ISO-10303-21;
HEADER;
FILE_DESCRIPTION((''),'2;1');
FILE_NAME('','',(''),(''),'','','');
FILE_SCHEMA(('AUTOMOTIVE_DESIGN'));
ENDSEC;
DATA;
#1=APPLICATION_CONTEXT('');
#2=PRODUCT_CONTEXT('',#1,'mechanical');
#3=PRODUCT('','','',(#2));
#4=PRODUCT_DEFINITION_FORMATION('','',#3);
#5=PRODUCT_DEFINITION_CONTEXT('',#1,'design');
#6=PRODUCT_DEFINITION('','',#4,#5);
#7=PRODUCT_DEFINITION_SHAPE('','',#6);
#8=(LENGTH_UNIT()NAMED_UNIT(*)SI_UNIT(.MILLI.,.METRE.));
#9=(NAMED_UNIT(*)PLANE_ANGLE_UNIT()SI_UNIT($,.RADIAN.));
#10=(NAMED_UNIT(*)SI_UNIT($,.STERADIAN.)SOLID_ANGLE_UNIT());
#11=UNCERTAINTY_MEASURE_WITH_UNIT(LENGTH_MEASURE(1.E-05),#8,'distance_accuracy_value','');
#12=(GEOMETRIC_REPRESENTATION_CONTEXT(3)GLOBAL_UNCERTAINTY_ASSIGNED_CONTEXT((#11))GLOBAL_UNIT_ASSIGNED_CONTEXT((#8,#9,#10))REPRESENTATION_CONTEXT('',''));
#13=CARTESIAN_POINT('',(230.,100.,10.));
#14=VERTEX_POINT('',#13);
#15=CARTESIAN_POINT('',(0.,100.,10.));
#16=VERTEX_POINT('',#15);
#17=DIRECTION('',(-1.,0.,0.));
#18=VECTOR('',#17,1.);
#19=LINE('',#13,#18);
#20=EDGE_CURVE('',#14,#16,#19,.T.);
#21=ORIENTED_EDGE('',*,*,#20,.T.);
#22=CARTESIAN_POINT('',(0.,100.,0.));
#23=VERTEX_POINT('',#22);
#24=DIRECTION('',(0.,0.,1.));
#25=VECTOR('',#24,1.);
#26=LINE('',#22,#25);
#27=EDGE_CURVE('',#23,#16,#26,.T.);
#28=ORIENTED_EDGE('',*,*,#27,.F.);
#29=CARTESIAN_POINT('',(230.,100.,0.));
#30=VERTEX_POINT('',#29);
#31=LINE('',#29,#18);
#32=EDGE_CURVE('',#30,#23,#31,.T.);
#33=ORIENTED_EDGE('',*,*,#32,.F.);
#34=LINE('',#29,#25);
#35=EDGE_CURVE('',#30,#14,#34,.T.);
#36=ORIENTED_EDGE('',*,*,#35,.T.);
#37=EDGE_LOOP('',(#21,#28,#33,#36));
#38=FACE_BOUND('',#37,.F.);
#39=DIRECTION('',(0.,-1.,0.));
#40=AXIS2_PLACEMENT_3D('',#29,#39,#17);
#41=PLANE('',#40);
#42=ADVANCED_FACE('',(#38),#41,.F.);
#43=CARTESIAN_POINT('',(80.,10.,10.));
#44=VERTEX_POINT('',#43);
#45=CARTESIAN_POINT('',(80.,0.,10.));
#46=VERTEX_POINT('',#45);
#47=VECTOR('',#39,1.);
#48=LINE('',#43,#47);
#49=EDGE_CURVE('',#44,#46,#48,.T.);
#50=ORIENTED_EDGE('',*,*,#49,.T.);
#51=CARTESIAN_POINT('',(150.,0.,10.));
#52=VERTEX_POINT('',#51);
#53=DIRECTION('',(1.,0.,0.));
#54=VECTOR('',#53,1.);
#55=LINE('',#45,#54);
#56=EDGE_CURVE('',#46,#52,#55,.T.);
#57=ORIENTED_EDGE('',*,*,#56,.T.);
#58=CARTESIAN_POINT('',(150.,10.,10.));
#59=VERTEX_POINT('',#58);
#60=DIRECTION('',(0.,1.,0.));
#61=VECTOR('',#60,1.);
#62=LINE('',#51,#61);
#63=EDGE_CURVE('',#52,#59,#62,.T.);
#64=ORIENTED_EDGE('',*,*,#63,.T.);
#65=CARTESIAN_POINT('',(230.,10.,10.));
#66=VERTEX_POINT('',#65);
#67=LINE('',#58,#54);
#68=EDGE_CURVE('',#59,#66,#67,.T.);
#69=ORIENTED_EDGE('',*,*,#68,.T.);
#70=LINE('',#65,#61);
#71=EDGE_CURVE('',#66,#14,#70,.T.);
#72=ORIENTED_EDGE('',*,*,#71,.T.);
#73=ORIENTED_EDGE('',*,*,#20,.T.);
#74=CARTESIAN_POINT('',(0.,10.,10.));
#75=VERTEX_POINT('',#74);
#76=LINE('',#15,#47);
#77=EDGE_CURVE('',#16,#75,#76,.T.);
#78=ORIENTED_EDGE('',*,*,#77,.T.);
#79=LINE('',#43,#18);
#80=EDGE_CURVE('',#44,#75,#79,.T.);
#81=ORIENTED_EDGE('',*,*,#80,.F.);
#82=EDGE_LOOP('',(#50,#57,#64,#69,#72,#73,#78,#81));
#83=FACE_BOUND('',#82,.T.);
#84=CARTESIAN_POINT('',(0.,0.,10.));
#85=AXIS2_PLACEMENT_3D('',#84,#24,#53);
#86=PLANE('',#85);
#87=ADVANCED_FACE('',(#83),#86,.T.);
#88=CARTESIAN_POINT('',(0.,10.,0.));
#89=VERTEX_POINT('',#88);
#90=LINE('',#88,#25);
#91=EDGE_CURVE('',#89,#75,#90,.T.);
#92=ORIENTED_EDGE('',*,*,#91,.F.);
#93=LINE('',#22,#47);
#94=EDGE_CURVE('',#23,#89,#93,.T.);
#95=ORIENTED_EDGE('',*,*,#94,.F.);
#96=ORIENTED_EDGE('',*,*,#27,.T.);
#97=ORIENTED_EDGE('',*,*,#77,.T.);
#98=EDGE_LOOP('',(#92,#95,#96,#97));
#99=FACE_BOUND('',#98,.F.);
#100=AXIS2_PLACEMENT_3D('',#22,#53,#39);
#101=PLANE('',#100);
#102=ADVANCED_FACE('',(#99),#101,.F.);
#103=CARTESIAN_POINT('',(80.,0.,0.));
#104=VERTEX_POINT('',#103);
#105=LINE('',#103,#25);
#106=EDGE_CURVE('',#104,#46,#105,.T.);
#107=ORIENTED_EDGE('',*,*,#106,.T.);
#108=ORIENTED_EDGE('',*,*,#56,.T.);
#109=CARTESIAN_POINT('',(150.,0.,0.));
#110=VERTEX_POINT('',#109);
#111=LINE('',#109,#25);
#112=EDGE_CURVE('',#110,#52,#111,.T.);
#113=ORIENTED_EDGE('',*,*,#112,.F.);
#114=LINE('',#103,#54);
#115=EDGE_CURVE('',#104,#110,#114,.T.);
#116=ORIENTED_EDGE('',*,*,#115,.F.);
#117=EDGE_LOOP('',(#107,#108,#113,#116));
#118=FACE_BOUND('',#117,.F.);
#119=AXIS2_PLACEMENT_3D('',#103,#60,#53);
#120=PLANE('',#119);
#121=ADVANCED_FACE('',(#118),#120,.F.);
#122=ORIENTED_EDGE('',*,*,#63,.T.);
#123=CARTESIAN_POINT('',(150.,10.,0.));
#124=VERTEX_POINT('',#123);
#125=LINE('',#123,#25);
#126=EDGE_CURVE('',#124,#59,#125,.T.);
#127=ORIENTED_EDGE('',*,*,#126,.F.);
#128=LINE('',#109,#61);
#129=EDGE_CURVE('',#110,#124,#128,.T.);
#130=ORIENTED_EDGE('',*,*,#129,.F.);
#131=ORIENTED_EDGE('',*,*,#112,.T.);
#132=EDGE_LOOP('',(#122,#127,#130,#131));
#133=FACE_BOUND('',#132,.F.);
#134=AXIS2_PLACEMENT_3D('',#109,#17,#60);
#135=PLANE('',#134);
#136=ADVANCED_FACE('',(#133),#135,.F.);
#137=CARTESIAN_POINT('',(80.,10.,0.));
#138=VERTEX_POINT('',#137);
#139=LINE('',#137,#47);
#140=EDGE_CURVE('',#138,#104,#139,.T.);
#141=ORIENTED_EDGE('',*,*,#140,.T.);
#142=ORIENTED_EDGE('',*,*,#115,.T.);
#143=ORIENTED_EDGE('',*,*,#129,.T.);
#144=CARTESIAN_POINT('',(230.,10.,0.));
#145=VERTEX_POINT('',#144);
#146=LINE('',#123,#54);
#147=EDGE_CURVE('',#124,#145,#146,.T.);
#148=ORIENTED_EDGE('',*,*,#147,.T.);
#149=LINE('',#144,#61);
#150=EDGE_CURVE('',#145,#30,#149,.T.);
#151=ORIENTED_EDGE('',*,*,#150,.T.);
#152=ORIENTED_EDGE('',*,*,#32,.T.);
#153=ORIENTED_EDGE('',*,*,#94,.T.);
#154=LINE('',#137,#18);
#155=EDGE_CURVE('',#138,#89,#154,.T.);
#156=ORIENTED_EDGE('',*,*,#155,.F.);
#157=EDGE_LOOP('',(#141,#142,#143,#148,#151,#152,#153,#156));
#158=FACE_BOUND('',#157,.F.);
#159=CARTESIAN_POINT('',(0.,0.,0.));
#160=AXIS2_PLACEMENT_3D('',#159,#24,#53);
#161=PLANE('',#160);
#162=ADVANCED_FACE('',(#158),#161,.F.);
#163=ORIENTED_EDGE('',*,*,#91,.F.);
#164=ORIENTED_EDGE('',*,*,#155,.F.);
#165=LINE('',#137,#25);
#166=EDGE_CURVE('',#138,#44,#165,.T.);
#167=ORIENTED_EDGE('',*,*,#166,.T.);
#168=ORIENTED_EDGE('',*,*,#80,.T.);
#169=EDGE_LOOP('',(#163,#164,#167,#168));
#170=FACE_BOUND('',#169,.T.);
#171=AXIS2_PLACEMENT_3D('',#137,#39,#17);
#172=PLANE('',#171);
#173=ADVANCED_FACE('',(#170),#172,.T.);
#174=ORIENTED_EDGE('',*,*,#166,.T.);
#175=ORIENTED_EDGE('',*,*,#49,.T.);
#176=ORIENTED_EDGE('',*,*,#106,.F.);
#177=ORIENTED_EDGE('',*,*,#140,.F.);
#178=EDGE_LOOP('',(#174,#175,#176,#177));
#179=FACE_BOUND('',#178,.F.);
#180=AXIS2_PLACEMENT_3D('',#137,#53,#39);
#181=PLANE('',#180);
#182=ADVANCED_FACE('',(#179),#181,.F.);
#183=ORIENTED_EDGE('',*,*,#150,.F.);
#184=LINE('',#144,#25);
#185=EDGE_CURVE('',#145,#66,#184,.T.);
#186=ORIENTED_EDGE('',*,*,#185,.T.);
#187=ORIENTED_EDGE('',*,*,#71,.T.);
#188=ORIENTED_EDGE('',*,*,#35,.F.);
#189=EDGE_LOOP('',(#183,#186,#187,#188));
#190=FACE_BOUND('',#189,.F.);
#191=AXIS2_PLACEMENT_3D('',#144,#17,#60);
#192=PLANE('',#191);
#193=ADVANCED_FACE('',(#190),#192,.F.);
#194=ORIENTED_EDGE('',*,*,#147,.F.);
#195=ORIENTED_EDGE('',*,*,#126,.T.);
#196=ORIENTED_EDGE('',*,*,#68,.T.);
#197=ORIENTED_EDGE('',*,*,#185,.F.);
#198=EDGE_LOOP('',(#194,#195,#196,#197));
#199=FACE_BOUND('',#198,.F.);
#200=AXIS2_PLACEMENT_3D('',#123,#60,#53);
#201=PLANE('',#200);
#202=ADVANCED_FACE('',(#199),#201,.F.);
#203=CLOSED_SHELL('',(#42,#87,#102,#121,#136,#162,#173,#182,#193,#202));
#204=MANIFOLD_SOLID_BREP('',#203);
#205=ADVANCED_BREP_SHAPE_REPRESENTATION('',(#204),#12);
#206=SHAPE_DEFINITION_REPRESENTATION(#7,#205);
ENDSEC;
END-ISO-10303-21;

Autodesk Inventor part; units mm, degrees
ref_plane "YZ Plane" through (0, 0, 0) normal (1, 0, 0) x (0, 1, 0)
ref_plane "XZ Plane" through (0, 0, 0) normal (0, 1, 0) x (-1, 0, 0)
ref_plane "XY Plane" through (0, 0, 0) normal (0, 0, 1) x (1, 0, 0)
sketch "Sketch1" plane through (0, 0, 0) normal (0, 0, 1) x (1, 0, 0)
  line L0 (80, 0) -> (150, 0)
  line L1 (230, 10) -> (230, 100)
  line L2 (230, 100) -> (0, 100)
  line L3 (0, 100) -> (0, 10)
  line L4 (80, 0) -> (150, 0)
  line L5 (150, 0) -> (150, 10)
  line L6 (80, 10) -> (80, 0)
  line L7 (80, 10) -> (0, 10)
  line L8 (150, 10) -> (230, 10)
  dimension "d9" = 230
  dimension "d13" = 100
  dimension "d14" = 10
extrude "Extrusion1" add sketch "Sketch1" along normal blind 10
properties part number "front"
